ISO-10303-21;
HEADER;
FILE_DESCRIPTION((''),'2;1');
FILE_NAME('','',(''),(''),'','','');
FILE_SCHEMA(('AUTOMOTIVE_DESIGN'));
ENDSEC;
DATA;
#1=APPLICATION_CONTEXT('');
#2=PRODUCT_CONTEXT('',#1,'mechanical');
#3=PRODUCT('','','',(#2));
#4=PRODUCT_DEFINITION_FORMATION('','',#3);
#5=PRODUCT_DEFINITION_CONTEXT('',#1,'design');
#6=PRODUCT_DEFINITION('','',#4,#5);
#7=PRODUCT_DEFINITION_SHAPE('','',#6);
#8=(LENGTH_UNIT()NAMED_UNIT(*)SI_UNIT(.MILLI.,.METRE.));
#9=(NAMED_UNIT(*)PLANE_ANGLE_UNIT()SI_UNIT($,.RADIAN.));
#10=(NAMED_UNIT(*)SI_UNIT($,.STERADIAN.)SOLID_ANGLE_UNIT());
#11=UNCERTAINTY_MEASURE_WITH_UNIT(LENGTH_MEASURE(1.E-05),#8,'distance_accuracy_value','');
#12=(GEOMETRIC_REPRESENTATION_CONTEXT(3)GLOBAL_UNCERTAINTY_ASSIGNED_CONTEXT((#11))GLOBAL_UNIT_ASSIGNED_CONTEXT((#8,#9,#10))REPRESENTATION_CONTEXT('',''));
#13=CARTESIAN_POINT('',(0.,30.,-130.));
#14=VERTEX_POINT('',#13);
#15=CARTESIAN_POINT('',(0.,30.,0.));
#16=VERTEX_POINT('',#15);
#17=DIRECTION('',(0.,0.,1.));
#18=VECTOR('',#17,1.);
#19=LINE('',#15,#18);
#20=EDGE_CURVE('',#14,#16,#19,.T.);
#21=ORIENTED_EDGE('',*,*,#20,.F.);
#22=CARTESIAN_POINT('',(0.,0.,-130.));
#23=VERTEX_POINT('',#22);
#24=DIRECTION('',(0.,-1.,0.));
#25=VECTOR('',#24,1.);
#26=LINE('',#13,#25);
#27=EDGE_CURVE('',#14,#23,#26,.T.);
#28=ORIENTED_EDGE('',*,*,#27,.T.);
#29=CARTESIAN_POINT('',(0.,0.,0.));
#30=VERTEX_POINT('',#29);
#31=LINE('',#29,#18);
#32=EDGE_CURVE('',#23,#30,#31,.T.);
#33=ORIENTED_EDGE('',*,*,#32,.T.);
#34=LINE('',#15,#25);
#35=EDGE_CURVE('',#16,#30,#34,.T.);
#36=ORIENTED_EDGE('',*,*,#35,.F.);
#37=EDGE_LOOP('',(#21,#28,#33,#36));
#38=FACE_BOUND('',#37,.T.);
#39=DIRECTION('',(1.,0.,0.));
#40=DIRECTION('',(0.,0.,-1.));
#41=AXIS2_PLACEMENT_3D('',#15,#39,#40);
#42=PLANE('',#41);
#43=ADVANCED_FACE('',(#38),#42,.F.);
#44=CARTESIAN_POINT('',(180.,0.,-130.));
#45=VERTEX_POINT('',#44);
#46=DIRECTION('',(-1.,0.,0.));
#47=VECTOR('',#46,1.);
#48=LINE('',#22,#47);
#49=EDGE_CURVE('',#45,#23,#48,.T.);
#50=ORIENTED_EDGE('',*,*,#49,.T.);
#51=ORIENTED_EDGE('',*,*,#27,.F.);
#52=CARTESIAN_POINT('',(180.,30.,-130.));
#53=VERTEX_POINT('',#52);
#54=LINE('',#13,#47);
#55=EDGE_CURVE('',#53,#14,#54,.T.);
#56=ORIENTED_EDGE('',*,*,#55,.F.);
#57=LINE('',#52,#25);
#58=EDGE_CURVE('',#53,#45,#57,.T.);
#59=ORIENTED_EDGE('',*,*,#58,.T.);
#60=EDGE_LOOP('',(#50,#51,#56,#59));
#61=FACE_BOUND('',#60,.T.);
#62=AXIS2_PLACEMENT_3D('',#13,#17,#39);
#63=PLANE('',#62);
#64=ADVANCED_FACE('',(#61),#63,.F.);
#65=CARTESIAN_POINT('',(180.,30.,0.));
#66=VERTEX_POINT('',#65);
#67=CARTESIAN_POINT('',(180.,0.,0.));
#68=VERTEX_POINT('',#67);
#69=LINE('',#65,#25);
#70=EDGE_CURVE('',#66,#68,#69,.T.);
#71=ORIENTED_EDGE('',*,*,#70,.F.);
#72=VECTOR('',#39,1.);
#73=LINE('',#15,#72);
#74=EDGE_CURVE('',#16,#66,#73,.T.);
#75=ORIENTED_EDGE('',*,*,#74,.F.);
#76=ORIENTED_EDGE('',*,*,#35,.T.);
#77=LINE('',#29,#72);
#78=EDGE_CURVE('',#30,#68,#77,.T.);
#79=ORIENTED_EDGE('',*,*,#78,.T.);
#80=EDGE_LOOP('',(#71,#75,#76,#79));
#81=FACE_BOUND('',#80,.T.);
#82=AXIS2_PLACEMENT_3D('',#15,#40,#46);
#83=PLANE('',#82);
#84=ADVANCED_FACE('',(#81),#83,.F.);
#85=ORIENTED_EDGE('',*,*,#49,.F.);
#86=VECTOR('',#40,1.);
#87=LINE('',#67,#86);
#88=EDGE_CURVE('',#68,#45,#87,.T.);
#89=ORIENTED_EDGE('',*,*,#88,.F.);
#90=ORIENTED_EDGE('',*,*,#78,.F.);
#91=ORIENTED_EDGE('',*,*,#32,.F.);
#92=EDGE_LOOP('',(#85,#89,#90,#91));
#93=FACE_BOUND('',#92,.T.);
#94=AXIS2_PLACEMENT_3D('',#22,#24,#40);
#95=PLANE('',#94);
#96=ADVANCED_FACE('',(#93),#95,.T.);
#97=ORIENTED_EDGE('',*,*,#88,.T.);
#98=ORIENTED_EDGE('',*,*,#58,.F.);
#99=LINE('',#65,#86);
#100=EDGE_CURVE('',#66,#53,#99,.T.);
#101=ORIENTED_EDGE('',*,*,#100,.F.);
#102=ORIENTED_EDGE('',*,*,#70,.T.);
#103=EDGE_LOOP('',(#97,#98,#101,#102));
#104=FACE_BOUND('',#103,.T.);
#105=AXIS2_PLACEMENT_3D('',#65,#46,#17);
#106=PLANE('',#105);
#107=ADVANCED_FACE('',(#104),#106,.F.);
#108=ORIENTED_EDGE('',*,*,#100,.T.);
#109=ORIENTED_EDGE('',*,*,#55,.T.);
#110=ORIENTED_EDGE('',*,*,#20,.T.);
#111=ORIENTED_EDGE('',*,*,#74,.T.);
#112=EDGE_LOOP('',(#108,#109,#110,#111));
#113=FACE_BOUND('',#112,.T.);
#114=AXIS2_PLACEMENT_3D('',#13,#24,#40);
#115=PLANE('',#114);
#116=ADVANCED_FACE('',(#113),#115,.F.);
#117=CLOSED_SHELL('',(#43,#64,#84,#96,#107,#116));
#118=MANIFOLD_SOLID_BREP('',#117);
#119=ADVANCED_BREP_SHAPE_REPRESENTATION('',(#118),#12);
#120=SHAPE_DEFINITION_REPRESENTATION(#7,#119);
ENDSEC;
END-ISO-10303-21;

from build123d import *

# Parameters (mm, degrees)
SKETCH1_W      = 180
SKETCH1_H      = 130
EXTRUDE1_DEPTH = 30


with BuildPart() as part:
    # Sketch1 → Extrude1 (new body)
    with BuildSketch(Plane(origin=(0, 0, 0), x_dir=(1, 0, 0), z_dir=(0, 1, 0))):
        with Locations((90, 65)):
            Rectangle(SKETCH1_W, SKETCH1_H)
    extrude(amount=EXTRUDE1_DEPTH)


solid = part.part
